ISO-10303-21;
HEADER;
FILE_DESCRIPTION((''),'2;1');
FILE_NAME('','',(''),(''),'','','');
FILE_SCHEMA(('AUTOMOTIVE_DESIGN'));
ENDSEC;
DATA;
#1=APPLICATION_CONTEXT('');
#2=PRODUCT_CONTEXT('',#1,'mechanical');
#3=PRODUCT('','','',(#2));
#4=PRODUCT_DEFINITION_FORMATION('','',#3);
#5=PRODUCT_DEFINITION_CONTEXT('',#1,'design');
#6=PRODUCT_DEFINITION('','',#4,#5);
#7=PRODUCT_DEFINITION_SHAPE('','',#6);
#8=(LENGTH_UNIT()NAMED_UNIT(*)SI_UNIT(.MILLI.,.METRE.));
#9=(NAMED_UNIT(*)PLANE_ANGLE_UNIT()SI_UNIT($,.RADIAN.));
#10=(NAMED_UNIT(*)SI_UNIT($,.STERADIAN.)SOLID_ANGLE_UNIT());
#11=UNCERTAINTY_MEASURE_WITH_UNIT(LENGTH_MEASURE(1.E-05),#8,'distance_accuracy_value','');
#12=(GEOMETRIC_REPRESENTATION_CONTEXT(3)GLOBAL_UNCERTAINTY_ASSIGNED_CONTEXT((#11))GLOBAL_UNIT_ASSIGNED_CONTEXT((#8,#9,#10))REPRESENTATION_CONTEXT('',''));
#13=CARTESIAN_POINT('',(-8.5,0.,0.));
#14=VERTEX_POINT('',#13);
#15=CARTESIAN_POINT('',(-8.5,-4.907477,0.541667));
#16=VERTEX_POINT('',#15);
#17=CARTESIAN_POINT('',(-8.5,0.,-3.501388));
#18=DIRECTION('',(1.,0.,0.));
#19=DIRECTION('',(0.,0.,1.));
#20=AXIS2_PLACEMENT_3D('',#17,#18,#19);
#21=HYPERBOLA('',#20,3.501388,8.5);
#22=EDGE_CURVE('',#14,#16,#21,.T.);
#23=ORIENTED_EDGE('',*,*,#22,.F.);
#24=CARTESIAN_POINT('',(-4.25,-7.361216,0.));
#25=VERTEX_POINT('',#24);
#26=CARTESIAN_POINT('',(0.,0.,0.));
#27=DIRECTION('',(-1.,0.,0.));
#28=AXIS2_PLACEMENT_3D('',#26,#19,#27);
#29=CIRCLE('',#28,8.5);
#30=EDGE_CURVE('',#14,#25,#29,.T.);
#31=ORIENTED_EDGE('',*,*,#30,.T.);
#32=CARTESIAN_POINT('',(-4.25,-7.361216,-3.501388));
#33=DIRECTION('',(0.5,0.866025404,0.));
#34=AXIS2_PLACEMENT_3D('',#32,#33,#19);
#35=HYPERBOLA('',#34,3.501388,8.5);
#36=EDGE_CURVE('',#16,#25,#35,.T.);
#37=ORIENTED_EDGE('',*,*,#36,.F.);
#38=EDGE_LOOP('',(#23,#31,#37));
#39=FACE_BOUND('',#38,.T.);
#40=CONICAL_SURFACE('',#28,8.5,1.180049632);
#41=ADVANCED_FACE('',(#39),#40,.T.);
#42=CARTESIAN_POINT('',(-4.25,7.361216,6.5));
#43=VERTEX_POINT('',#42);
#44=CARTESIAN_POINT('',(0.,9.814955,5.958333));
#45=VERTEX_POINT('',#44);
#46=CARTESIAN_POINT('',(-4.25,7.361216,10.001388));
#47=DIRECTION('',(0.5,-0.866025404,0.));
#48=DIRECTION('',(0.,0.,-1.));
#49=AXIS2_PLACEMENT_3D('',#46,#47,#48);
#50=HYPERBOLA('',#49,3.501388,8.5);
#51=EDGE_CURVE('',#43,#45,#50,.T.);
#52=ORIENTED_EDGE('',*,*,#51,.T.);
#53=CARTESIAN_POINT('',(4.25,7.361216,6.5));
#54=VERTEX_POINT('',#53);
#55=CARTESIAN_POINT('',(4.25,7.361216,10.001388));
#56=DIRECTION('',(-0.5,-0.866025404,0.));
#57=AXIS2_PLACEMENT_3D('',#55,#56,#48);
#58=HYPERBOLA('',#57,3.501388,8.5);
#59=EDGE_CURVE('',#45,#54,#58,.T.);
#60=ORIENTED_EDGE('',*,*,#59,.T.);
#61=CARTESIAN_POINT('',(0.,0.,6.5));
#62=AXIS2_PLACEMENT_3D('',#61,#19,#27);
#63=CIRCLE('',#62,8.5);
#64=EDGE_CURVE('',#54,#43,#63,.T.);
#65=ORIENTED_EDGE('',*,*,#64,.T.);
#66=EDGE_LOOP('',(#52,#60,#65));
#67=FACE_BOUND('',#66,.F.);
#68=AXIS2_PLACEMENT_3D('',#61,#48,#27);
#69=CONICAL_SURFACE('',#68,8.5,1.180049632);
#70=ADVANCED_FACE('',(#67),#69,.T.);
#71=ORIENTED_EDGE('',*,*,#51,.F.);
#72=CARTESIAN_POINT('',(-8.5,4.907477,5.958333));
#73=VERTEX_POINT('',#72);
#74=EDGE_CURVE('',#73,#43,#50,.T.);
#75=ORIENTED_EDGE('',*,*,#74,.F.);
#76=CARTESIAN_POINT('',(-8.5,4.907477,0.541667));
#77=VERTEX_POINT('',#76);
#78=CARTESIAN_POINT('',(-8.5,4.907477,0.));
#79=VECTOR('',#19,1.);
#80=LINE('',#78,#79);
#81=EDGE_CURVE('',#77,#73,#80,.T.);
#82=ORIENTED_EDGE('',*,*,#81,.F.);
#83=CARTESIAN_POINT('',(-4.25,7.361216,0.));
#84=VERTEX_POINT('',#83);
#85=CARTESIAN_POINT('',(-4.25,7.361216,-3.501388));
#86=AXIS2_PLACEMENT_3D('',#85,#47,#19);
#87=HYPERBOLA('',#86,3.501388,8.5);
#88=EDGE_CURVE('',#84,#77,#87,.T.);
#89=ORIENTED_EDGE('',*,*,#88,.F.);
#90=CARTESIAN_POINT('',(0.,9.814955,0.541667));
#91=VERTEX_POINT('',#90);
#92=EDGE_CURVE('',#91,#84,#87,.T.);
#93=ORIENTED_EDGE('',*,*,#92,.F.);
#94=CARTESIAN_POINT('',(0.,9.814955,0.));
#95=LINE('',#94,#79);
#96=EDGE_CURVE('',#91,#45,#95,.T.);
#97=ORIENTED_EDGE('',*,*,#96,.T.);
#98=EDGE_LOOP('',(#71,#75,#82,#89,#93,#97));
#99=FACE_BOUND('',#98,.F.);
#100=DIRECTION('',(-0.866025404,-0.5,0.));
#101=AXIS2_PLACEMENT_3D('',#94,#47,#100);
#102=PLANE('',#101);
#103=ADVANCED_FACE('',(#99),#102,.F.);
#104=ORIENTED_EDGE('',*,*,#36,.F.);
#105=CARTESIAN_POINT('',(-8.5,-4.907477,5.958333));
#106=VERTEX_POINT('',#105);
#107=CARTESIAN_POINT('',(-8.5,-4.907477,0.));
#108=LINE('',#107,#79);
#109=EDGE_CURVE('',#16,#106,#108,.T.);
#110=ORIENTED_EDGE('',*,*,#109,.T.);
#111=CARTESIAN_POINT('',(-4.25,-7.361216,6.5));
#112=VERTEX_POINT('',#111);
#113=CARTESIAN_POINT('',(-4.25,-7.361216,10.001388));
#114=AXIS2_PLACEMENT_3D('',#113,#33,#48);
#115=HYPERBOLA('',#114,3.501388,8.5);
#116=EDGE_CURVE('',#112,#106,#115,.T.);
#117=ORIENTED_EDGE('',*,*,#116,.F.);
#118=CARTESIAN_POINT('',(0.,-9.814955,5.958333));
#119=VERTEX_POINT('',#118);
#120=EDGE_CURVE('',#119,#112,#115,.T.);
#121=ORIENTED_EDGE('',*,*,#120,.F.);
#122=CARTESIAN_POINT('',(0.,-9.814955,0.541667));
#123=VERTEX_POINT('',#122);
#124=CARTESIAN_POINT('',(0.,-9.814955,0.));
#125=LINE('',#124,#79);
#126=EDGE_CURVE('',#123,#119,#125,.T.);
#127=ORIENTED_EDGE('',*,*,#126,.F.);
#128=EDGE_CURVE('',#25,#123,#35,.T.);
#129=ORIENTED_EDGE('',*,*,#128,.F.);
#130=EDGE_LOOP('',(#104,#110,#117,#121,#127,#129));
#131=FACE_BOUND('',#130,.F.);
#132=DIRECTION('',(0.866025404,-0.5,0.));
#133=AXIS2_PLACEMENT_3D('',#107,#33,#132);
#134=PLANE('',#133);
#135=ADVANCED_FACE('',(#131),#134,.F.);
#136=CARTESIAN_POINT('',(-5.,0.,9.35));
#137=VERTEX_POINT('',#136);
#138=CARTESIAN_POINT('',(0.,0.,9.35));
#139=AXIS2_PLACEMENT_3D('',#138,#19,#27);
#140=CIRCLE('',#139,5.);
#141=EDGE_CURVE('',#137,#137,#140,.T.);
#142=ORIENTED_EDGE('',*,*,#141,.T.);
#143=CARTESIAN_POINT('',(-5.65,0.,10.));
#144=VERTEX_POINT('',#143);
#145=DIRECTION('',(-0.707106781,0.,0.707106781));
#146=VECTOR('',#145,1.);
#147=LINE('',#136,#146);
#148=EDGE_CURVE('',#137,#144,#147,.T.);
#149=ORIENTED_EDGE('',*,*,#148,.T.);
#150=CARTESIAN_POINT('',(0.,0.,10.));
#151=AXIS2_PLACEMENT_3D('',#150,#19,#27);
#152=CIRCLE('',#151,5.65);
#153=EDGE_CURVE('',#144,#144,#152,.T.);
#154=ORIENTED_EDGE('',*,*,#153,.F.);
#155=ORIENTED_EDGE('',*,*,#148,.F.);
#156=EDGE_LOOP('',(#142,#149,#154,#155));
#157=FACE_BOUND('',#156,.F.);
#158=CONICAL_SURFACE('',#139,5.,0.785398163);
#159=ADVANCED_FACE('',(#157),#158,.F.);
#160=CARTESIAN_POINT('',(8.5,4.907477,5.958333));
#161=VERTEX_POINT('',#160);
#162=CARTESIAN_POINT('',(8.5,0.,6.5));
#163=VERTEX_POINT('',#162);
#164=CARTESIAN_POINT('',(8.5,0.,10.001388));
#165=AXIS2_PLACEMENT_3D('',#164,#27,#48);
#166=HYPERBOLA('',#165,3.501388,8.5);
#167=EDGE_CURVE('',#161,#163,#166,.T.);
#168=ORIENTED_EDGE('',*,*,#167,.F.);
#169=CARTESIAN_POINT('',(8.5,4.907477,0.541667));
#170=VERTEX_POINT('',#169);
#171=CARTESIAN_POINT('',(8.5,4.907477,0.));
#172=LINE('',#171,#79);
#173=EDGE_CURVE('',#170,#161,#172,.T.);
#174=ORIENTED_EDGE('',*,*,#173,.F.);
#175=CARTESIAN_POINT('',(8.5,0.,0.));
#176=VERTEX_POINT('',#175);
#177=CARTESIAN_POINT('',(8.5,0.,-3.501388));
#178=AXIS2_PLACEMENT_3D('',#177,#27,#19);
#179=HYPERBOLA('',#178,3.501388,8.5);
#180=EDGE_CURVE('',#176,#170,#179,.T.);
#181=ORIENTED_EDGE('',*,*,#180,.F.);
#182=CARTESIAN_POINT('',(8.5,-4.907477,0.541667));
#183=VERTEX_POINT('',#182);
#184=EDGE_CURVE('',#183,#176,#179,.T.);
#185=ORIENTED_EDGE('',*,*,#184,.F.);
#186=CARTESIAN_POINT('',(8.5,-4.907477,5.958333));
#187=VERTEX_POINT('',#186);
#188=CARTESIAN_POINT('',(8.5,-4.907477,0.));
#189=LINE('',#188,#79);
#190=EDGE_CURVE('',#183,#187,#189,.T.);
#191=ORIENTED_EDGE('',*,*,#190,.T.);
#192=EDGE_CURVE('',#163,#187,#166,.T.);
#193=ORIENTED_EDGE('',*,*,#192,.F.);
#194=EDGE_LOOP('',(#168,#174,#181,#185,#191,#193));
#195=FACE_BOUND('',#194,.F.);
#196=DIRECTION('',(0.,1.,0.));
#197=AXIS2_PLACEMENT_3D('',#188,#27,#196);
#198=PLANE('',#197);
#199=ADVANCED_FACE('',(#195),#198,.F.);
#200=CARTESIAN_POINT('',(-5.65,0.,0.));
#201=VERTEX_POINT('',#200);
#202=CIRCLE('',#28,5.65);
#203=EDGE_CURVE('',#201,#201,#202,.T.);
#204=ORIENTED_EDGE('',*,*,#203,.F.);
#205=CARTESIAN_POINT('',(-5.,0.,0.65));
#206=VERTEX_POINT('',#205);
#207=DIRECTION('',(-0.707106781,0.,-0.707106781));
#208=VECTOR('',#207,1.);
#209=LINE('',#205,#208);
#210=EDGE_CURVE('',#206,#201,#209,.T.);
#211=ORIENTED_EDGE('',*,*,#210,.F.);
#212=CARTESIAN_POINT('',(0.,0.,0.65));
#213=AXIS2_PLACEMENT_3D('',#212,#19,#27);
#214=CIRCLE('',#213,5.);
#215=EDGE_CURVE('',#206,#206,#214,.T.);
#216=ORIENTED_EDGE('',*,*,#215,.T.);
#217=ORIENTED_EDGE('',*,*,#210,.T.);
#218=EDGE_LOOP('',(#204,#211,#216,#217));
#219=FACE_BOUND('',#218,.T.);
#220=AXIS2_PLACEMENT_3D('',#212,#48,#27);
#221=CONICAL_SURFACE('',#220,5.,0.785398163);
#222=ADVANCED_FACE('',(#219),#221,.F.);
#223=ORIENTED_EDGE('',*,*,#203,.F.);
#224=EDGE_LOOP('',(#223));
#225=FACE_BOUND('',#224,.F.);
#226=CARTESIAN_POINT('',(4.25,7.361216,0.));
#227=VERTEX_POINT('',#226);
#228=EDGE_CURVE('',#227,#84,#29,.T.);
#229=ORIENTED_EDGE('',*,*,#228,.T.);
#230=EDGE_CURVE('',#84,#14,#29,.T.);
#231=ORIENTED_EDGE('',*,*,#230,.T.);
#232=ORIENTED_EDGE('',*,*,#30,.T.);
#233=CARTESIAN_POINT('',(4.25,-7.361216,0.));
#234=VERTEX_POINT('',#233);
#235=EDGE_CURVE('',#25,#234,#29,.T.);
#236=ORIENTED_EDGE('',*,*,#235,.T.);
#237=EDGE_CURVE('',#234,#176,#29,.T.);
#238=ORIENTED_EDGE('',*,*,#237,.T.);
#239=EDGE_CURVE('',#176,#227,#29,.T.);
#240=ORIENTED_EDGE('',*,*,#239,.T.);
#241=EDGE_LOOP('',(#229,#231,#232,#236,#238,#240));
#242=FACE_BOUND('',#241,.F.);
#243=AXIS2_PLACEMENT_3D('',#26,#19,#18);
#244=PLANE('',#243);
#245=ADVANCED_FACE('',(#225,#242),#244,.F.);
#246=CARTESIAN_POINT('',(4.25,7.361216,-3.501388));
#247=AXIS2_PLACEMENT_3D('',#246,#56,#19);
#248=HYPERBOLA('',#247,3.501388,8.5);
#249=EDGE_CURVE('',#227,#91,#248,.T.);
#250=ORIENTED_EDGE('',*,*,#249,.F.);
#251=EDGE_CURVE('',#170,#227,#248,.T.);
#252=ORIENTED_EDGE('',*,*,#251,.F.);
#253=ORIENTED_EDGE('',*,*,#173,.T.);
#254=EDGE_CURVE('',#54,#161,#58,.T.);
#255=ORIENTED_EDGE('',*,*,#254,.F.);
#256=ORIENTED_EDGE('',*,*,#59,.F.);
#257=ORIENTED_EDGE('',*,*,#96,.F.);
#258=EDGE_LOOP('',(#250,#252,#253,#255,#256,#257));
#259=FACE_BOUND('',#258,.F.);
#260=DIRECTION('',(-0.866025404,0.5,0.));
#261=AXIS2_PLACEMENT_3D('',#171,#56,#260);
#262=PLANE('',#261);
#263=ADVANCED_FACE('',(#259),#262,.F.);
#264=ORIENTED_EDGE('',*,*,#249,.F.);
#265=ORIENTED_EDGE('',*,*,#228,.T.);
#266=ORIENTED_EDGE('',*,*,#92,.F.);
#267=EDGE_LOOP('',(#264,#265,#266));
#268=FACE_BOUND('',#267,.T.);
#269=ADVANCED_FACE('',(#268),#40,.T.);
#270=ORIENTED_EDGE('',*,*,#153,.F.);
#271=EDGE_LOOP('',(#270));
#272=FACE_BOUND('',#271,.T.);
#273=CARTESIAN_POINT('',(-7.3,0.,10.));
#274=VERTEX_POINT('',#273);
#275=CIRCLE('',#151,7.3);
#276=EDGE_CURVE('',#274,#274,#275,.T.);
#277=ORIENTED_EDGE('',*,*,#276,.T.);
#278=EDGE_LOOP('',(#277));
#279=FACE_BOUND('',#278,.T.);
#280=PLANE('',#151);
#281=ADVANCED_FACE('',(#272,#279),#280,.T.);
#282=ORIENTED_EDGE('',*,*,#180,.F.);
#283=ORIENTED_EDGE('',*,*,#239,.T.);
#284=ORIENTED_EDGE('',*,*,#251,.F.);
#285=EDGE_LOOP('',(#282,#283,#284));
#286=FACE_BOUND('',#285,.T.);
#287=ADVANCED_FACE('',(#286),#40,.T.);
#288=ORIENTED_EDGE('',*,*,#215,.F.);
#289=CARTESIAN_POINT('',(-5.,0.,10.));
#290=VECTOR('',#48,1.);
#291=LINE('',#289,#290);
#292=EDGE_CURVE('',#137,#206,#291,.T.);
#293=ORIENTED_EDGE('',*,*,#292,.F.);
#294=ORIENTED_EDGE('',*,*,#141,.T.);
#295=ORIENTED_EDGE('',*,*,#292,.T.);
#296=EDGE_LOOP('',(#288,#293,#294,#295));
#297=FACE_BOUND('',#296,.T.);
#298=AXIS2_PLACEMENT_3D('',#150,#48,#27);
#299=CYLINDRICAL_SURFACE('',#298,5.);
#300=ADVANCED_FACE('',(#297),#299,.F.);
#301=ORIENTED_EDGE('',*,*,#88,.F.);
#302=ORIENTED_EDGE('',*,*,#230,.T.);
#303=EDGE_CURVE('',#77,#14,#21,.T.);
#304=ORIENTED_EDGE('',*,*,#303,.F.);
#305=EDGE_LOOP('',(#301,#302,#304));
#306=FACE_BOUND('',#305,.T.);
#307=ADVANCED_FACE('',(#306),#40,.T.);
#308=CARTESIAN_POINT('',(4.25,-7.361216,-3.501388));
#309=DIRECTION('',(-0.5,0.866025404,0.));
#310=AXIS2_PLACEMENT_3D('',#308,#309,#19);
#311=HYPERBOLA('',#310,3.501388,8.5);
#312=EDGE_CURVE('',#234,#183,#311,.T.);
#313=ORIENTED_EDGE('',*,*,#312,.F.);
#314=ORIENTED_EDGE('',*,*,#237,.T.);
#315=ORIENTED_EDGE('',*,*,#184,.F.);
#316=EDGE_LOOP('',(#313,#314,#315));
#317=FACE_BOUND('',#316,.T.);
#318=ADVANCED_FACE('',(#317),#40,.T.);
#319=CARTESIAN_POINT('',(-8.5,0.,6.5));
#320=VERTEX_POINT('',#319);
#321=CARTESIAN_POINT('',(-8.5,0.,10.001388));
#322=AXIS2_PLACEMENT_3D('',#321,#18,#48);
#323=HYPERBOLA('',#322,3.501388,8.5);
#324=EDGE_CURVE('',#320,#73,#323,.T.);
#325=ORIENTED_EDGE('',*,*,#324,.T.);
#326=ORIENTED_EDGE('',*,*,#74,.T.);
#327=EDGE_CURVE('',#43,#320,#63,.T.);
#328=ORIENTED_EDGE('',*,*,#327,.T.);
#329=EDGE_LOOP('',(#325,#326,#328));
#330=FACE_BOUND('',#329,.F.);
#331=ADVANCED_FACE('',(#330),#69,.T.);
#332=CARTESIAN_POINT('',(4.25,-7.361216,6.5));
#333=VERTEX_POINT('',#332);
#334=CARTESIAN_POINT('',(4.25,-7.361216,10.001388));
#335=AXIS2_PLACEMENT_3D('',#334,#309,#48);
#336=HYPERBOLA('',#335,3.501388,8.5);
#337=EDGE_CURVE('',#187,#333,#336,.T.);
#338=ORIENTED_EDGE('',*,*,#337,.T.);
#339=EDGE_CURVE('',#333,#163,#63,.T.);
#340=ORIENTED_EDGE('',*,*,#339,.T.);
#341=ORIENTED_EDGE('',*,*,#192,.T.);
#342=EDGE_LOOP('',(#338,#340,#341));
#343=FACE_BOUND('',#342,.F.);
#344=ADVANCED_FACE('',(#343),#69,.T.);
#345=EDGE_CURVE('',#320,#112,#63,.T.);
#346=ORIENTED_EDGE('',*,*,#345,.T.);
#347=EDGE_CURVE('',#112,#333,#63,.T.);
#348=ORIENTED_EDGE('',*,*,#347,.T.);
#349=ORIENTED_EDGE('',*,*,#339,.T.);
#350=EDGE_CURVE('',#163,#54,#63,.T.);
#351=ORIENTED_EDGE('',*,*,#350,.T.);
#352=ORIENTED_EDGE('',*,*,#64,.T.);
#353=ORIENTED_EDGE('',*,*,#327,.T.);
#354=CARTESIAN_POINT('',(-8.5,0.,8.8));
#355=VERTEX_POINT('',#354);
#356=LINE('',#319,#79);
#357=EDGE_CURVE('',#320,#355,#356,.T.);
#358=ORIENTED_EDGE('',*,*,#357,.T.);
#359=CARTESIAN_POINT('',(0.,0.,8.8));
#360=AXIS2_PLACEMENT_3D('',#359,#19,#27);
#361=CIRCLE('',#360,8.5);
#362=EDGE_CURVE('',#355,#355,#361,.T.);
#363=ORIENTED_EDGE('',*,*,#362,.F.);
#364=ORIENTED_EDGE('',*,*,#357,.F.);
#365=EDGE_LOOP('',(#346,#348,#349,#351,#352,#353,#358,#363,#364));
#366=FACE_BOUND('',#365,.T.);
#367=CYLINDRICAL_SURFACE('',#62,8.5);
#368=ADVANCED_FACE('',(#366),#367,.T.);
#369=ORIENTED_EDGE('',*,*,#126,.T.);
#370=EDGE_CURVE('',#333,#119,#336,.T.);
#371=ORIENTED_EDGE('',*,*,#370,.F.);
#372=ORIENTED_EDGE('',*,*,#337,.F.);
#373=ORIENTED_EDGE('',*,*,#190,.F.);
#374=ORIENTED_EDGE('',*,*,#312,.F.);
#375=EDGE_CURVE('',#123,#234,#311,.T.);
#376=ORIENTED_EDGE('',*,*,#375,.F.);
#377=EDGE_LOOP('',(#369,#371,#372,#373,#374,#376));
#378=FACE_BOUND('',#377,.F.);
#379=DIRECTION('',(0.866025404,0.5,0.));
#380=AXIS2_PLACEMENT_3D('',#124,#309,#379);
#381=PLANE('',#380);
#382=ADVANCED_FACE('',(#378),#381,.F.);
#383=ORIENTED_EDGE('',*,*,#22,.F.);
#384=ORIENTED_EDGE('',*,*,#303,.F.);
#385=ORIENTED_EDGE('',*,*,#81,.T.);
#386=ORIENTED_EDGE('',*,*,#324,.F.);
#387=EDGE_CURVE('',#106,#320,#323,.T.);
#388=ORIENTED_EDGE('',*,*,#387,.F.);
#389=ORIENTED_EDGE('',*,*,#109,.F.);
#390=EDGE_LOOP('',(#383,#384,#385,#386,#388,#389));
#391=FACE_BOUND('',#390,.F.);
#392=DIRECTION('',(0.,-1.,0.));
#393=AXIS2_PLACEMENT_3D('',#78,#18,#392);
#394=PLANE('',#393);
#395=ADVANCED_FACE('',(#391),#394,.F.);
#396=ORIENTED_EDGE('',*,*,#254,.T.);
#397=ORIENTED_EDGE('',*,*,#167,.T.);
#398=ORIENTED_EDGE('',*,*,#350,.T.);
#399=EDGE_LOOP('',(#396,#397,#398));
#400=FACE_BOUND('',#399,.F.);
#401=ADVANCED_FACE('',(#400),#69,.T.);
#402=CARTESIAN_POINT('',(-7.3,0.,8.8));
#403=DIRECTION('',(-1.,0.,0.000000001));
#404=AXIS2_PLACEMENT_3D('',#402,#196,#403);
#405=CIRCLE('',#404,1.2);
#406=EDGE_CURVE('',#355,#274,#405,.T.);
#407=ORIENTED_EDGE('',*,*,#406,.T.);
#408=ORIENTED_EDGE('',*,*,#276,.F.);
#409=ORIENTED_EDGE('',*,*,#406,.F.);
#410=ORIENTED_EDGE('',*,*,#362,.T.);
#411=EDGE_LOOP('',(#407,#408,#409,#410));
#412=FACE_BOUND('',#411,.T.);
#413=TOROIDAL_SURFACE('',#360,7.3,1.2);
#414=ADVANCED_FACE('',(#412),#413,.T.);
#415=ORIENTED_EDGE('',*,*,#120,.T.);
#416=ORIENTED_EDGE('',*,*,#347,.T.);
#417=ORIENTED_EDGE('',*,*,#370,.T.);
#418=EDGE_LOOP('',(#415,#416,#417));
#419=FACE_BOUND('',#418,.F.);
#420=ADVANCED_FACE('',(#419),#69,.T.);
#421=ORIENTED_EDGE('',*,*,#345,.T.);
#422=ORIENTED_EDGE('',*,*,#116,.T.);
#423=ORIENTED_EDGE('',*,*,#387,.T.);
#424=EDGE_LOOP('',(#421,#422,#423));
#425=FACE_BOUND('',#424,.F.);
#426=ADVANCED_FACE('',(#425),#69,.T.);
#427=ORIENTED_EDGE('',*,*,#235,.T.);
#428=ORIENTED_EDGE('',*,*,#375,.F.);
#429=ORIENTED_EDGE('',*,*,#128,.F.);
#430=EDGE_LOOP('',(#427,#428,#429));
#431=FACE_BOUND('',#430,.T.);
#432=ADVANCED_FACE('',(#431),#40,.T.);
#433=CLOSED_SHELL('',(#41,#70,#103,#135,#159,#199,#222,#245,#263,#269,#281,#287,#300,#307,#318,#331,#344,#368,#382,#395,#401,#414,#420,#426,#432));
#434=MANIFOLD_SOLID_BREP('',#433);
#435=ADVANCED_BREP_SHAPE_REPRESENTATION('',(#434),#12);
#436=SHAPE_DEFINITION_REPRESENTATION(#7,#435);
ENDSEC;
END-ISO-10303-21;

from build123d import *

# Parameters (mm, degrees)
SKETCH1_R           = 5
BOSS_EXTRUDE1_DEPTH = 6.5


with BuildPart() as part:
    # Sketch1 → Boss-Extrude1 (new body)
    with BuildSketch(Plane.XY):
        Polygon((0, -9.814954576), (8.5, -4.907477288), (8.5, 4.907477288), (0, 9.814954576), (-8.5, 4.907477288), (-8.5, -4.907477288), align=None)
        with Locations(Location((0, 0, 0), (0, 0, 180))):
            Circle(SKETCH1_R, mode=Mode.SUBTRACT)
    extrude(amount=BOSS_EXTRUDE1_DEPTH)

    # Sketch3 → Revolve1 (revolve)
    with BuildSketch(Plane(origin=(0, 0, 0), x_dir=(0, 0, -1), z_dir=(0, 1, 0))):
        with BuildLine():
            Line((-6.5, 8.5), (-8.8, 8.5))
            ThreePointArc((-8.8, 8.5), (-9.648528137, 8.148528137), (-10, 7.3))
            Line((-10, 7.3), (-10, 5))
            Line((-10, 5), (-6.5, 5))
            Line((-6.5, 5), (-6.5, 8.5))
        make_face()
    revolve(axis=Axis((0, 0, 0), (0, 0, 1)))

    # Sketch2 → Cut-Revolve1 (revolve, cut)
    with BuildSketch(Plane(origin=(0, 0, 0), x_dir=(0, 0, -1), z_dir=(1, 0, 0)), mode=Mode.PRIVATE) as cut_revolve1_sk:
        Polygon((-6.5, 9.814954576), (-6.5, 8.5), (-5.958333333, 9.814954576), align=None)
        Polygon((-0.541666667, 9.814954576), (0, 9.814954576), (0, 8.5), align=None)
        Polygon((-10, 5), (-9.35, 5), (-10, 5.65), align=None)
        Polygon((0, 5), (-0.65, 5), (0, 5.65), align=None)
    revolve(cut_revolve1_sk.sketch.rotate(Axis((0, 0, 0), (0, 0, 1)), 90), axis=Axis((0, 0, 0), (0, 0, 1)), mode=Mode.SUBTRACT)


solid = part.part
